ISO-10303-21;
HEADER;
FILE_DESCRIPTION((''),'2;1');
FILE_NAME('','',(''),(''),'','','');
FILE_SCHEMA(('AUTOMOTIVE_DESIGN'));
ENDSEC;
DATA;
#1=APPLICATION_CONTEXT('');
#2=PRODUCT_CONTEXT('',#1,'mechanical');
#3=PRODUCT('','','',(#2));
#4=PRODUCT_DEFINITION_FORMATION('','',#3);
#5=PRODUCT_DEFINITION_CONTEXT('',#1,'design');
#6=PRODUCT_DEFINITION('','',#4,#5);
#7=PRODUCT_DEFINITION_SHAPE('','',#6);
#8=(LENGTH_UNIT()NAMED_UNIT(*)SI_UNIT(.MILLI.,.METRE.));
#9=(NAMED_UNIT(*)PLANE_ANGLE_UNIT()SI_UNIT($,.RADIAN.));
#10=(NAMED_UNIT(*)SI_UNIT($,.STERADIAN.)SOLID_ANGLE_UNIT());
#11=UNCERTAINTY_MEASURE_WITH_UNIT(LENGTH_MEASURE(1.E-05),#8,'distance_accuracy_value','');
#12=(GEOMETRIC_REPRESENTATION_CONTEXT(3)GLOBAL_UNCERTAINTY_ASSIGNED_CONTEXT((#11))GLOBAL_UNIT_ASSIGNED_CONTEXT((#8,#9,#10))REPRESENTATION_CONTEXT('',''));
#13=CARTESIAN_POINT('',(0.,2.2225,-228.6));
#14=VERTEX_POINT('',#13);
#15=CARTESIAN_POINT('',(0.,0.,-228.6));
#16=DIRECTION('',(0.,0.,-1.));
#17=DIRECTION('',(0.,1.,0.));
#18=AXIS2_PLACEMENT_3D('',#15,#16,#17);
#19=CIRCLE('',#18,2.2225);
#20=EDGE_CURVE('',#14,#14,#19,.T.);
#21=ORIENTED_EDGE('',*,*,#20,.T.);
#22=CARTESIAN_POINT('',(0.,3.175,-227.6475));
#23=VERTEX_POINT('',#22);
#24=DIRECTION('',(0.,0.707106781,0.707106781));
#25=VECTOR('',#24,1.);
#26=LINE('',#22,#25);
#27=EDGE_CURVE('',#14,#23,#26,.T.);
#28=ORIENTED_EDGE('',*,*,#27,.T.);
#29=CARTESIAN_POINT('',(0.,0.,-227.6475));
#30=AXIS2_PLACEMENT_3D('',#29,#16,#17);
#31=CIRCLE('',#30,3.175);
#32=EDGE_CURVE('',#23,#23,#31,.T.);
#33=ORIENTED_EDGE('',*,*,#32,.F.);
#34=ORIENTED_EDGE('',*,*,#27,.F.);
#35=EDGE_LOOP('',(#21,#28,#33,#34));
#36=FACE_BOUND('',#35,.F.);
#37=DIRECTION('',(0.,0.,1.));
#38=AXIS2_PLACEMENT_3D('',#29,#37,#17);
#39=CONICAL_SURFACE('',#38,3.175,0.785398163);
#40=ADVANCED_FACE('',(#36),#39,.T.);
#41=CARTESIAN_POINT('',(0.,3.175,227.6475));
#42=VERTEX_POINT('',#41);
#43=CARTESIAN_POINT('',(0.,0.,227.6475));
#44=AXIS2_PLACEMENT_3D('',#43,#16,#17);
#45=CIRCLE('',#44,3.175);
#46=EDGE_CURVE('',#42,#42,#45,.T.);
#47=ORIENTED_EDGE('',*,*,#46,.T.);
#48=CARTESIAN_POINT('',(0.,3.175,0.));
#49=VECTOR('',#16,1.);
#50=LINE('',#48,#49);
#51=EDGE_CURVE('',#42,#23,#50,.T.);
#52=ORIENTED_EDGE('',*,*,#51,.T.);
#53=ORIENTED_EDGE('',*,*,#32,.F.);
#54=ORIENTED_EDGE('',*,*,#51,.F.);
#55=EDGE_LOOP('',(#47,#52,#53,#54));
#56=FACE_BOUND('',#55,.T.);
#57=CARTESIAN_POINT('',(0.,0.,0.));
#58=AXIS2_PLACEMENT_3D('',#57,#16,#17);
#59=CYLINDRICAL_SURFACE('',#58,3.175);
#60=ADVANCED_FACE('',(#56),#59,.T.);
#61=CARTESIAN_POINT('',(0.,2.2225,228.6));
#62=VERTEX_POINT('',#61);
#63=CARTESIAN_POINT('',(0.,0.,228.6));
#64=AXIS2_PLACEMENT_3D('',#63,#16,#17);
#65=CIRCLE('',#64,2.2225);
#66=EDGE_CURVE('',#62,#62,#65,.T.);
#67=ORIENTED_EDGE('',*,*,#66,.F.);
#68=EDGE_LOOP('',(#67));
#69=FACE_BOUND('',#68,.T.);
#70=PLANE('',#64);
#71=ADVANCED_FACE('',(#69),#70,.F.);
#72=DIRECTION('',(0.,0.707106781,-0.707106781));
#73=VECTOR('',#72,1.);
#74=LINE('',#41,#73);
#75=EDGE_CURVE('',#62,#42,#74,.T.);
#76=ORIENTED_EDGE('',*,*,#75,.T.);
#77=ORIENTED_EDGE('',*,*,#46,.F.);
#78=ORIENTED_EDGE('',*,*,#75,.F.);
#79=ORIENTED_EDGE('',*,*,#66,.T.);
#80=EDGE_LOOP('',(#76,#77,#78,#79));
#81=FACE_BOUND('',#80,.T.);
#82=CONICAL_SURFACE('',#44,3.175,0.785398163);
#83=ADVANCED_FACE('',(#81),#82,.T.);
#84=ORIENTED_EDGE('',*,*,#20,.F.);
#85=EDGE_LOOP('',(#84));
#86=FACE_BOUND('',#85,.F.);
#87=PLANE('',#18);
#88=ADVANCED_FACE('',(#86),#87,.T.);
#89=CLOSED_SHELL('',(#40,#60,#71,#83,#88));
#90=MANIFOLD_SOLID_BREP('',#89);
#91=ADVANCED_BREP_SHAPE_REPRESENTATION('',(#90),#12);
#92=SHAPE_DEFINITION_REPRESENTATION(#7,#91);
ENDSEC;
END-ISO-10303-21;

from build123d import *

# Parameters (mm, degrees)
SKETCH2_W     = 457.2
SKETCH2_H     = 3.175
CHAMFER1_SIZE = 0.9525


with BuildPart() as part:
    # Sketch2 → Revolve1 (revolve)
    with BuildSketch(Plane(origin=(0, 0, 0), x_dir=(0, 0, -1), z_dir=(1, 0, 0))):
        with Locations((0, 1.5875)):
            Rectangle(SKETCH2_W, SKETCH2_H)
    revolve(axis=Axis((0, 0, 228.6), (0, 0, -1)))

    # Chamfer1
    chamfer1_edges = [part.edges().sort_by_distance(p)[0] for p in [
        (0, -3.175, -228.6),
        (0, -3.175, 228.6),
    ]]
    chamfer(chamfer1_edges, length=CHAMFER1_SIZE)


solid = part.part
